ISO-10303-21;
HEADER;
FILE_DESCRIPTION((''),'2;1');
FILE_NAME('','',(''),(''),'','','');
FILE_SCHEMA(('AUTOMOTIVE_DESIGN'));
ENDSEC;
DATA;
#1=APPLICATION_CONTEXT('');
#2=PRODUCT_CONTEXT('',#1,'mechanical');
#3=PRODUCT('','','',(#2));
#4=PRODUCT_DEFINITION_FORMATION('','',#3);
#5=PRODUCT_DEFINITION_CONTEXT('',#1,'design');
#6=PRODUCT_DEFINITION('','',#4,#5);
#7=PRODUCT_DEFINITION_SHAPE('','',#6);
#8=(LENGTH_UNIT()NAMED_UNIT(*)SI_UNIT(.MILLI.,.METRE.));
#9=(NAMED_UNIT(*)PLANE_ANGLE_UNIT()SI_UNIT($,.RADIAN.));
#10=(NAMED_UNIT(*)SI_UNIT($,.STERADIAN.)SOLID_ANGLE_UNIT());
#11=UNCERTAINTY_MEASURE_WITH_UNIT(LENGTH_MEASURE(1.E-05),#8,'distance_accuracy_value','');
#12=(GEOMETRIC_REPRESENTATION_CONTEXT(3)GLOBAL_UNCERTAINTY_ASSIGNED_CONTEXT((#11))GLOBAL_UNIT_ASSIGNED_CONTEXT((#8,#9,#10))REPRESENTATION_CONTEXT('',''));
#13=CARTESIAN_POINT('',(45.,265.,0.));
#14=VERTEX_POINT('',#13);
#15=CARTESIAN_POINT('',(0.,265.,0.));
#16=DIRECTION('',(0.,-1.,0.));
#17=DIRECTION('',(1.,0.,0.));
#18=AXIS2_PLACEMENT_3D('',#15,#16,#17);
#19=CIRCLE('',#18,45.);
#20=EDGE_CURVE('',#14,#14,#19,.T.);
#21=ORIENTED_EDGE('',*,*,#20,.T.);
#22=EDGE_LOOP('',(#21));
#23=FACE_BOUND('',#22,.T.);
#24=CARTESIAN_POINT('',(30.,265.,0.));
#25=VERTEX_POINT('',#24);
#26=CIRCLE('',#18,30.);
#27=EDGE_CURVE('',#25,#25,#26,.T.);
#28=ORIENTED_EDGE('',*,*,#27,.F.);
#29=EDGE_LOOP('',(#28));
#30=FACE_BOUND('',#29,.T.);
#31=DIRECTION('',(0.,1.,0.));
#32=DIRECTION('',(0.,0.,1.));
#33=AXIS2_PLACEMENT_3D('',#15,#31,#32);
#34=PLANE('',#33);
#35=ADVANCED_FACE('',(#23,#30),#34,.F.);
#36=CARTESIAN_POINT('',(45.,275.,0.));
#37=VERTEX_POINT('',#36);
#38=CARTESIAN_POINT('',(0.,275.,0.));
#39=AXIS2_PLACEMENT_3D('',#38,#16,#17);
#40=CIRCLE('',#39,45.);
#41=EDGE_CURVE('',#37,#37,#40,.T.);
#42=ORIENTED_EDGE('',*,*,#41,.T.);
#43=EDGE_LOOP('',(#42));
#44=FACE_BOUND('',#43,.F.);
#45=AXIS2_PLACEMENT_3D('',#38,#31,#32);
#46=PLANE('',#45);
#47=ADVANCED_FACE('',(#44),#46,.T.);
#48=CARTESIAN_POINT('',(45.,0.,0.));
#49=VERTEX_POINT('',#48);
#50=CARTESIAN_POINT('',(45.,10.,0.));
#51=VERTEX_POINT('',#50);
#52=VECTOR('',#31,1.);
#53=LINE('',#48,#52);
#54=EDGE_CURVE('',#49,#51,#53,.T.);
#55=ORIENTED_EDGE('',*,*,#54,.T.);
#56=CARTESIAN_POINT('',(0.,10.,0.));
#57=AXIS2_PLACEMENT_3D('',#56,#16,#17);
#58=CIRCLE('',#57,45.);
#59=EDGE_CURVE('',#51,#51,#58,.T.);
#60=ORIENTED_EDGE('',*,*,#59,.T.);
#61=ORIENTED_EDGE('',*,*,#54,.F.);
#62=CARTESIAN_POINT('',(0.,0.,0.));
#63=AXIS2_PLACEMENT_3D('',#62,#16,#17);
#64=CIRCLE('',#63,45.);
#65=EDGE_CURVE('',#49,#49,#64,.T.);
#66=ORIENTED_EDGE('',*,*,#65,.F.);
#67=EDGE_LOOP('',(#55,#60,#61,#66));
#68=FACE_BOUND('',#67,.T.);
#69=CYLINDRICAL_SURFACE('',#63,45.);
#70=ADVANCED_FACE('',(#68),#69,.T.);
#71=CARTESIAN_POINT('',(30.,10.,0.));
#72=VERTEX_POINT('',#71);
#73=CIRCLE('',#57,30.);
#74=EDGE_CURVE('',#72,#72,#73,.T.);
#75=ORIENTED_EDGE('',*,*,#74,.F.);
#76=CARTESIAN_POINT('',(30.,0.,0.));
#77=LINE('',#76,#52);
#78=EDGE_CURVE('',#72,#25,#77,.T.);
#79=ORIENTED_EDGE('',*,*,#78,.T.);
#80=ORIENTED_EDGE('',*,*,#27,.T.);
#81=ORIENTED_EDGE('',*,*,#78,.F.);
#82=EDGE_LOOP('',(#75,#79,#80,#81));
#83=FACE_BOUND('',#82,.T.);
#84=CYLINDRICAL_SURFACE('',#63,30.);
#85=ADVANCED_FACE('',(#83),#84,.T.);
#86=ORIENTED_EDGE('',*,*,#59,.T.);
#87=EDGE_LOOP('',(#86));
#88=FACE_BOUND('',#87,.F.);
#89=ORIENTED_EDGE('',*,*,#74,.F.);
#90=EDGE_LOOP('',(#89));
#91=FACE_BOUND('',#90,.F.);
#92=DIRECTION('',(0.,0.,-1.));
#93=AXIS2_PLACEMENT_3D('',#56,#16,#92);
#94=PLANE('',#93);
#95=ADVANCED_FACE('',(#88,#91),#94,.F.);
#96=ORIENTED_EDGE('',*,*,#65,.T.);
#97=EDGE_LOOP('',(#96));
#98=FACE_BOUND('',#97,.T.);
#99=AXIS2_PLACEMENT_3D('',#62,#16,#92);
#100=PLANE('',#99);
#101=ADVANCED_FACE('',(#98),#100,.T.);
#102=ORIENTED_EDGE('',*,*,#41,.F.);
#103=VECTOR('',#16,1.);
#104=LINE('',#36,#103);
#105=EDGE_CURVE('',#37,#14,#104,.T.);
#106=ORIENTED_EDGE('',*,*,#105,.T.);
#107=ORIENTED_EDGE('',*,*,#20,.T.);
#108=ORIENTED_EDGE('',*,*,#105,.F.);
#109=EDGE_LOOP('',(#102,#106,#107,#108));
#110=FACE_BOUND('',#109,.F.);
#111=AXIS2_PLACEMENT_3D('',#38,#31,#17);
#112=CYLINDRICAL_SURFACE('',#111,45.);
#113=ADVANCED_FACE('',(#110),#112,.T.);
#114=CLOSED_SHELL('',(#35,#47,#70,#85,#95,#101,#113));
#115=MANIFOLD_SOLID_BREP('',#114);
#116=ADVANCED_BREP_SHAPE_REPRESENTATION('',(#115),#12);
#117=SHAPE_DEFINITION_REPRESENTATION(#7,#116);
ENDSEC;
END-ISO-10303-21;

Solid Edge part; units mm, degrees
sketch "Sketch1" plane through (0, 0, 0) normal (0, -1, 0) x (1, 0, 0)
  circle A0 centre (0, 0) radius 30
extrude "Protrusion1" add sketch "Sketch1" against normal blind 275
sketch "Sketch2" plane through (0, 0, 0) normal (0, -1, 0) x (1, 0, 0)
  circle A0 centre (0, 0) radius 45
  dimension "D1" = 90
extrude "ExtrudedProtrusion_2" add sketch "Sketch2" against normal blind 10
mirror "Mirror1" about plane through (0, 137.5, 0) normal (0, -1, 0) of "ExtrudedProtrusion_2"
